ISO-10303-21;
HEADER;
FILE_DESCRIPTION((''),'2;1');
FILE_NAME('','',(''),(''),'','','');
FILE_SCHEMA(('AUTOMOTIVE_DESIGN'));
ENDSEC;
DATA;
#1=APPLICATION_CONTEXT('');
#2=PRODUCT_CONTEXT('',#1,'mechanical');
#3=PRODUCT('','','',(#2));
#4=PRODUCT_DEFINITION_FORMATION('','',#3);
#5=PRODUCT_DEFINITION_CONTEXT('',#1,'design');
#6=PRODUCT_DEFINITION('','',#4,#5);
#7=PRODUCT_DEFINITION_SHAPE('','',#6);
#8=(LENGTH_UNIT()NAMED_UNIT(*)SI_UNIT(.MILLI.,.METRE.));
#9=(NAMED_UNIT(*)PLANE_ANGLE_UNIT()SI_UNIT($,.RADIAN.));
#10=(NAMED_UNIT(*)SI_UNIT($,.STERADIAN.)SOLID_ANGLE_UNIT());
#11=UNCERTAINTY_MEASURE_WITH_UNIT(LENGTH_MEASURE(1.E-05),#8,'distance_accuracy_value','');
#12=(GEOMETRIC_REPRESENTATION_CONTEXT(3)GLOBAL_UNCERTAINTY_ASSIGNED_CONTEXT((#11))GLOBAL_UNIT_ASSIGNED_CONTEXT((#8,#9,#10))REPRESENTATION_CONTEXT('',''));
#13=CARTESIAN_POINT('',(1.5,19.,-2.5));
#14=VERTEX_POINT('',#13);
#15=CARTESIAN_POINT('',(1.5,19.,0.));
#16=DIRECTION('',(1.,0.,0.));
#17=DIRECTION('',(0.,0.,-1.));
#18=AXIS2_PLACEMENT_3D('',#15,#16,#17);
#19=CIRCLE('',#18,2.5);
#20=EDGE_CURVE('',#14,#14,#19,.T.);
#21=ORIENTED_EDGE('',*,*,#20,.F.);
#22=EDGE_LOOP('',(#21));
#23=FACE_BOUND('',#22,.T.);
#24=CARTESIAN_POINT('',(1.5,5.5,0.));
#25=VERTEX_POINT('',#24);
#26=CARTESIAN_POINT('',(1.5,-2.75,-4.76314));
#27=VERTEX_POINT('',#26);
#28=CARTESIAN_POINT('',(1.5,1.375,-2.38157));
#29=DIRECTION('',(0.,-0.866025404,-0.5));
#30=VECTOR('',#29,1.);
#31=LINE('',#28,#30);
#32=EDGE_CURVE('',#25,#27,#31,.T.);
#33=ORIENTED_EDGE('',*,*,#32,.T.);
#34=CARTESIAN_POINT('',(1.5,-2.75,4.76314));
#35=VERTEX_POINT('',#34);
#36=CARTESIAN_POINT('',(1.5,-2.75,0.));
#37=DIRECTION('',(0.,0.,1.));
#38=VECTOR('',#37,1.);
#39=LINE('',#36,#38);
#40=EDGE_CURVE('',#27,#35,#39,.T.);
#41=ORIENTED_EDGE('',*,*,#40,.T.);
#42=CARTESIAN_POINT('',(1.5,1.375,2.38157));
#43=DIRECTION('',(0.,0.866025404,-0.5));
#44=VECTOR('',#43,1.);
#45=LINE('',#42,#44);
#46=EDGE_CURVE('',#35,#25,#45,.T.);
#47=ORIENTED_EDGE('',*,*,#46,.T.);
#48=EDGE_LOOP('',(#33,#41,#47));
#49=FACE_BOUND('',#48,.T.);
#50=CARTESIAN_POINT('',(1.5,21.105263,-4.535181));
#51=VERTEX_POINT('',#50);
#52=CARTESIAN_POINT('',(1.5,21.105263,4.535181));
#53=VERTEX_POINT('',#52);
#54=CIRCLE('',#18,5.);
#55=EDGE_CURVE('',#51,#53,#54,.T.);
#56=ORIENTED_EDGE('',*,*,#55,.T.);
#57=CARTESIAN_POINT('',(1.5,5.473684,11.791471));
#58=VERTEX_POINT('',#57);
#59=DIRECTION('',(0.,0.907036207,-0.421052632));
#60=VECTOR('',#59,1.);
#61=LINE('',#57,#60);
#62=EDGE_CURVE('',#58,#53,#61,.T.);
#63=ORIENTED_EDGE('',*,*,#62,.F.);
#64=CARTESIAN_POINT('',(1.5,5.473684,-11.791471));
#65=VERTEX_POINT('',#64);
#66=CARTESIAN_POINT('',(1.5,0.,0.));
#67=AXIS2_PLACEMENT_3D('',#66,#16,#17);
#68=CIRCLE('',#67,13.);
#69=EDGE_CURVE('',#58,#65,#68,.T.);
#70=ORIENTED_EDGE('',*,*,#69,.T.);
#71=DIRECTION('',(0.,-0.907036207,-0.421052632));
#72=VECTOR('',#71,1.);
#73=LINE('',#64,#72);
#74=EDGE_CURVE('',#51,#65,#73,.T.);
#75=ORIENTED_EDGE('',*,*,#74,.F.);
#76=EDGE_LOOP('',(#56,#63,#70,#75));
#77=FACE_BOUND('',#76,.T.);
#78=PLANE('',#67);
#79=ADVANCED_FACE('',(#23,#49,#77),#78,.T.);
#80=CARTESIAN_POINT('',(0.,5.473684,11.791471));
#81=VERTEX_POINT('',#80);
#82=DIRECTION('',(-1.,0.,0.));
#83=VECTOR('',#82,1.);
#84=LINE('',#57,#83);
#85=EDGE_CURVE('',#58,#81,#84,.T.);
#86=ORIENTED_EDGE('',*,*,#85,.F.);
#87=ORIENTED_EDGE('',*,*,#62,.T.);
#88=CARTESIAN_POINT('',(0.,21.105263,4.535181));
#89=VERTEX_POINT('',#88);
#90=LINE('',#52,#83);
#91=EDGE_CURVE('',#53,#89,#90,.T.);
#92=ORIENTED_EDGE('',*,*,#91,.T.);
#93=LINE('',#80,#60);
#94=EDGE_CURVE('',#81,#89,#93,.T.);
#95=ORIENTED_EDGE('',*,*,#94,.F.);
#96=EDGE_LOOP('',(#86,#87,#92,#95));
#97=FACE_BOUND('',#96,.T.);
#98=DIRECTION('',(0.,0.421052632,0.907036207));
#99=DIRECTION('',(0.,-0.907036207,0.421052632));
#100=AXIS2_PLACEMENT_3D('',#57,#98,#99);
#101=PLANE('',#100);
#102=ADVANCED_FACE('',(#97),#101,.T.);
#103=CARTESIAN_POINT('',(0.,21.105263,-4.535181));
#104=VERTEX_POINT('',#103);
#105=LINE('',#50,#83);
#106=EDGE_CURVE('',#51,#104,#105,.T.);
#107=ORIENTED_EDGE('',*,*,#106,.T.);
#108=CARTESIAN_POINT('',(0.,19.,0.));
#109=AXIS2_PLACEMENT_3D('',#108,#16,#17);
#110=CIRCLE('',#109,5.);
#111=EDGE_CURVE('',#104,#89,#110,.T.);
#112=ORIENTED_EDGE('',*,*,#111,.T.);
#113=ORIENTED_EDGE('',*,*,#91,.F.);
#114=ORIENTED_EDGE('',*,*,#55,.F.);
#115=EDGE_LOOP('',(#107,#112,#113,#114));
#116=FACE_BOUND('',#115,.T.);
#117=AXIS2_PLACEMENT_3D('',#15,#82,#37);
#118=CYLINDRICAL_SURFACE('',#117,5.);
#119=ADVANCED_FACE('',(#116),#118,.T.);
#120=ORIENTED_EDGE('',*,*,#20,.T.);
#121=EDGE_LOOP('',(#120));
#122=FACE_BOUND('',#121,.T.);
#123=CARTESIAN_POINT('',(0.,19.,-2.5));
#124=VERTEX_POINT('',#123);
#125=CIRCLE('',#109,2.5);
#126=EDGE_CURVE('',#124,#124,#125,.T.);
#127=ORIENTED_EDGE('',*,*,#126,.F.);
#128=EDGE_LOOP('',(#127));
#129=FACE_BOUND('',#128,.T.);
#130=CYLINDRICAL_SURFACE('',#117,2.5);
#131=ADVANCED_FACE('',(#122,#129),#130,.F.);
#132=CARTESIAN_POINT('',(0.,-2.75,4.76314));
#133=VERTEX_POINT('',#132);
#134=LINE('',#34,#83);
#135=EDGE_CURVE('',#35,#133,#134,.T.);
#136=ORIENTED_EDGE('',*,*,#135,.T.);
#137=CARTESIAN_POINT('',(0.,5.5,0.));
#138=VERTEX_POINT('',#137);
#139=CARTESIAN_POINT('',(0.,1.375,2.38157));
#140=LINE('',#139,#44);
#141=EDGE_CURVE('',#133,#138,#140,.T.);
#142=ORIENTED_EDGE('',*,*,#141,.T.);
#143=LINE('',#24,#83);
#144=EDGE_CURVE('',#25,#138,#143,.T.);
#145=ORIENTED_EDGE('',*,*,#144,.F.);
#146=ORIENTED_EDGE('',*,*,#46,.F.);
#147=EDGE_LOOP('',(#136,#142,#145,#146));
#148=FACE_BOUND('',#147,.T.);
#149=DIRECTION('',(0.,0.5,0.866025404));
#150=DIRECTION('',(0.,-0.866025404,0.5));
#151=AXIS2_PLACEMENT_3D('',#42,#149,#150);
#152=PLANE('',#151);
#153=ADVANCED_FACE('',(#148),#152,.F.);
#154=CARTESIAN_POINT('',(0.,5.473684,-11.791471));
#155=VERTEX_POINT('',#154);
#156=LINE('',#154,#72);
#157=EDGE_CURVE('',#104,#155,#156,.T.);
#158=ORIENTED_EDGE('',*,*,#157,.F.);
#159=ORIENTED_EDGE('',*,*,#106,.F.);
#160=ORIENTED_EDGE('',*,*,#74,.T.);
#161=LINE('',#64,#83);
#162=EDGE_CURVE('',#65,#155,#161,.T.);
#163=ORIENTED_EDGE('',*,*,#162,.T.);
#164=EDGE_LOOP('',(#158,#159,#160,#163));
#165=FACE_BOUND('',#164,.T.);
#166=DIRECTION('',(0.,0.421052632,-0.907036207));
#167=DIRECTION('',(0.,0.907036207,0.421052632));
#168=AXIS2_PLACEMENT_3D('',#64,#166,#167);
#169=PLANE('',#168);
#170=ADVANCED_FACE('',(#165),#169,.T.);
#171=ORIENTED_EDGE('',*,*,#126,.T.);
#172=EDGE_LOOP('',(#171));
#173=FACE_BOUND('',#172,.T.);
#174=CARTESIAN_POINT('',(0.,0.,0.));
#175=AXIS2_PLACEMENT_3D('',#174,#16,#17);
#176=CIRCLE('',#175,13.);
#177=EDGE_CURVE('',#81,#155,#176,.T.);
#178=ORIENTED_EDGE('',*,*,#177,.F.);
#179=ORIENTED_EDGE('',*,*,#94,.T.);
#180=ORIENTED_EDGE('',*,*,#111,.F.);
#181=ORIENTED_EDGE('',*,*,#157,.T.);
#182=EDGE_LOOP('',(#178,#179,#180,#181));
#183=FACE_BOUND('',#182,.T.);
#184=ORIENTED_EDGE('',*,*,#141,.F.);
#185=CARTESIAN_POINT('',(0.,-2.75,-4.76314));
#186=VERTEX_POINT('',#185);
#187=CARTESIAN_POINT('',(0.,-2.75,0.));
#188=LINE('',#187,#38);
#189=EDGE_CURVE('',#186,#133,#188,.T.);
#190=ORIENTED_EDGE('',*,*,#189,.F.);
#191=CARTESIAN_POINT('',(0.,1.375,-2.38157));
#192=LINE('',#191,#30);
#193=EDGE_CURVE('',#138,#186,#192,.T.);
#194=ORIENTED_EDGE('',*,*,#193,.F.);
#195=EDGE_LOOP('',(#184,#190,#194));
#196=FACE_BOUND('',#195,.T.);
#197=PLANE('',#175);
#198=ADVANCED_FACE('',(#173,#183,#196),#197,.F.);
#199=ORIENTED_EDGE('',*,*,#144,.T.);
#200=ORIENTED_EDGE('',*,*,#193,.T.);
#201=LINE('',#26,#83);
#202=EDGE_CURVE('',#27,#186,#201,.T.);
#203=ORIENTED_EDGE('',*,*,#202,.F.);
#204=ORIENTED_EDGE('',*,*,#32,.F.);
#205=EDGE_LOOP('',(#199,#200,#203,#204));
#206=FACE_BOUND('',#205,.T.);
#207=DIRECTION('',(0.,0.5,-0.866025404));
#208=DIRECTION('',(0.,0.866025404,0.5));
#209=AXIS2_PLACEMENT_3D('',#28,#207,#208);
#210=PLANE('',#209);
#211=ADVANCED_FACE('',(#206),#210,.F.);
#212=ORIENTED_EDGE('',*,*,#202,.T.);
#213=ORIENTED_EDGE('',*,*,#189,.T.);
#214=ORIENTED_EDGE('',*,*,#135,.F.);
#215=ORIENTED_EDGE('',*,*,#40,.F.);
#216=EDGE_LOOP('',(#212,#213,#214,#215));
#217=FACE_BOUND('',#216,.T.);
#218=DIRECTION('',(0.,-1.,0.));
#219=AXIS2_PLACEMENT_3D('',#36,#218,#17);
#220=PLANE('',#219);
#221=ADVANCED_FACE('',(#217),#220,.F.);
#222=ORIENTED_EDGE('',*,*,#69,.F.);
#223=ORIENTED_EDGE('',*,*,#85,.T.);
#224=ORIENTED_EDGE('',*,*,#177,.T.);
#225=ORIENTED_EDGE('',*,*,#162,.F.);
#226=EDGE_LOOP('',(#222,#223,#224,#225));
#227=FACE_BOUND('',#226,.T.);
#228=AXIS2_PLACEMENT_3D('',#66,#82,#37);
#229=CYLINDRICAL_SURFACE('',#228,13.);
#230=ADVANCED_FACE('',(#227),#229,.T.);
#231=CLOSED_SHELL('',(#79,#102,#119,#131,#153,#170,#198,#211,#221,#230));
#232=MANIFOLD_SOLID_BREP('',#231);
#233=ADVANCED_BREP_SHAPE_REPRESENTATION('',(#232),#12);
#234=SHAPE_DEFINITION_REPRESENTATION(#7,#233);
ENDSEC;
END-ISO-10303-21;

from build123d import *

# Parameters (mm, degrees)
SKETCH1_R           = 2.5
BOSS_EXTRUDE1_DEPTH = 1.5


with BuildPart() as part:
    # Sketch1 → Boss-Extrude1 (new body)
    with BuildSketch(Plane(origin=(0, 0, 0), x_dir=(0, 0, -1), z_dir=(1, 0, 0))):
        with BuildLine():
            Line((-11.791470696, 5.473684211), (-4.535181037, 21.105263158))
            ThreePointArc((-4.535181037, 21.105263158), (0, 24), (4.535181037, 21.105263158))
            Line((4.535181037, 21.105263158), (11.791470696, 5.473684211))
            ThreePointArc((11.791470696, 5.473684211), (0, -13), (-11.791470696, 5.473684211))
        make_face()
        with Locations((0, 19)):
            Circle(SKETCH1_R, mode=Mode.SUBTRACT)
        Polygon((4.763139721, -2.75), (-4.763139721, -2.75), (0, 5.5), align=None, mode=Mode.SUBTRACT)
    extrude(amount=BOSS_EXTRUDE1_DEPTH)


solid = part.part
